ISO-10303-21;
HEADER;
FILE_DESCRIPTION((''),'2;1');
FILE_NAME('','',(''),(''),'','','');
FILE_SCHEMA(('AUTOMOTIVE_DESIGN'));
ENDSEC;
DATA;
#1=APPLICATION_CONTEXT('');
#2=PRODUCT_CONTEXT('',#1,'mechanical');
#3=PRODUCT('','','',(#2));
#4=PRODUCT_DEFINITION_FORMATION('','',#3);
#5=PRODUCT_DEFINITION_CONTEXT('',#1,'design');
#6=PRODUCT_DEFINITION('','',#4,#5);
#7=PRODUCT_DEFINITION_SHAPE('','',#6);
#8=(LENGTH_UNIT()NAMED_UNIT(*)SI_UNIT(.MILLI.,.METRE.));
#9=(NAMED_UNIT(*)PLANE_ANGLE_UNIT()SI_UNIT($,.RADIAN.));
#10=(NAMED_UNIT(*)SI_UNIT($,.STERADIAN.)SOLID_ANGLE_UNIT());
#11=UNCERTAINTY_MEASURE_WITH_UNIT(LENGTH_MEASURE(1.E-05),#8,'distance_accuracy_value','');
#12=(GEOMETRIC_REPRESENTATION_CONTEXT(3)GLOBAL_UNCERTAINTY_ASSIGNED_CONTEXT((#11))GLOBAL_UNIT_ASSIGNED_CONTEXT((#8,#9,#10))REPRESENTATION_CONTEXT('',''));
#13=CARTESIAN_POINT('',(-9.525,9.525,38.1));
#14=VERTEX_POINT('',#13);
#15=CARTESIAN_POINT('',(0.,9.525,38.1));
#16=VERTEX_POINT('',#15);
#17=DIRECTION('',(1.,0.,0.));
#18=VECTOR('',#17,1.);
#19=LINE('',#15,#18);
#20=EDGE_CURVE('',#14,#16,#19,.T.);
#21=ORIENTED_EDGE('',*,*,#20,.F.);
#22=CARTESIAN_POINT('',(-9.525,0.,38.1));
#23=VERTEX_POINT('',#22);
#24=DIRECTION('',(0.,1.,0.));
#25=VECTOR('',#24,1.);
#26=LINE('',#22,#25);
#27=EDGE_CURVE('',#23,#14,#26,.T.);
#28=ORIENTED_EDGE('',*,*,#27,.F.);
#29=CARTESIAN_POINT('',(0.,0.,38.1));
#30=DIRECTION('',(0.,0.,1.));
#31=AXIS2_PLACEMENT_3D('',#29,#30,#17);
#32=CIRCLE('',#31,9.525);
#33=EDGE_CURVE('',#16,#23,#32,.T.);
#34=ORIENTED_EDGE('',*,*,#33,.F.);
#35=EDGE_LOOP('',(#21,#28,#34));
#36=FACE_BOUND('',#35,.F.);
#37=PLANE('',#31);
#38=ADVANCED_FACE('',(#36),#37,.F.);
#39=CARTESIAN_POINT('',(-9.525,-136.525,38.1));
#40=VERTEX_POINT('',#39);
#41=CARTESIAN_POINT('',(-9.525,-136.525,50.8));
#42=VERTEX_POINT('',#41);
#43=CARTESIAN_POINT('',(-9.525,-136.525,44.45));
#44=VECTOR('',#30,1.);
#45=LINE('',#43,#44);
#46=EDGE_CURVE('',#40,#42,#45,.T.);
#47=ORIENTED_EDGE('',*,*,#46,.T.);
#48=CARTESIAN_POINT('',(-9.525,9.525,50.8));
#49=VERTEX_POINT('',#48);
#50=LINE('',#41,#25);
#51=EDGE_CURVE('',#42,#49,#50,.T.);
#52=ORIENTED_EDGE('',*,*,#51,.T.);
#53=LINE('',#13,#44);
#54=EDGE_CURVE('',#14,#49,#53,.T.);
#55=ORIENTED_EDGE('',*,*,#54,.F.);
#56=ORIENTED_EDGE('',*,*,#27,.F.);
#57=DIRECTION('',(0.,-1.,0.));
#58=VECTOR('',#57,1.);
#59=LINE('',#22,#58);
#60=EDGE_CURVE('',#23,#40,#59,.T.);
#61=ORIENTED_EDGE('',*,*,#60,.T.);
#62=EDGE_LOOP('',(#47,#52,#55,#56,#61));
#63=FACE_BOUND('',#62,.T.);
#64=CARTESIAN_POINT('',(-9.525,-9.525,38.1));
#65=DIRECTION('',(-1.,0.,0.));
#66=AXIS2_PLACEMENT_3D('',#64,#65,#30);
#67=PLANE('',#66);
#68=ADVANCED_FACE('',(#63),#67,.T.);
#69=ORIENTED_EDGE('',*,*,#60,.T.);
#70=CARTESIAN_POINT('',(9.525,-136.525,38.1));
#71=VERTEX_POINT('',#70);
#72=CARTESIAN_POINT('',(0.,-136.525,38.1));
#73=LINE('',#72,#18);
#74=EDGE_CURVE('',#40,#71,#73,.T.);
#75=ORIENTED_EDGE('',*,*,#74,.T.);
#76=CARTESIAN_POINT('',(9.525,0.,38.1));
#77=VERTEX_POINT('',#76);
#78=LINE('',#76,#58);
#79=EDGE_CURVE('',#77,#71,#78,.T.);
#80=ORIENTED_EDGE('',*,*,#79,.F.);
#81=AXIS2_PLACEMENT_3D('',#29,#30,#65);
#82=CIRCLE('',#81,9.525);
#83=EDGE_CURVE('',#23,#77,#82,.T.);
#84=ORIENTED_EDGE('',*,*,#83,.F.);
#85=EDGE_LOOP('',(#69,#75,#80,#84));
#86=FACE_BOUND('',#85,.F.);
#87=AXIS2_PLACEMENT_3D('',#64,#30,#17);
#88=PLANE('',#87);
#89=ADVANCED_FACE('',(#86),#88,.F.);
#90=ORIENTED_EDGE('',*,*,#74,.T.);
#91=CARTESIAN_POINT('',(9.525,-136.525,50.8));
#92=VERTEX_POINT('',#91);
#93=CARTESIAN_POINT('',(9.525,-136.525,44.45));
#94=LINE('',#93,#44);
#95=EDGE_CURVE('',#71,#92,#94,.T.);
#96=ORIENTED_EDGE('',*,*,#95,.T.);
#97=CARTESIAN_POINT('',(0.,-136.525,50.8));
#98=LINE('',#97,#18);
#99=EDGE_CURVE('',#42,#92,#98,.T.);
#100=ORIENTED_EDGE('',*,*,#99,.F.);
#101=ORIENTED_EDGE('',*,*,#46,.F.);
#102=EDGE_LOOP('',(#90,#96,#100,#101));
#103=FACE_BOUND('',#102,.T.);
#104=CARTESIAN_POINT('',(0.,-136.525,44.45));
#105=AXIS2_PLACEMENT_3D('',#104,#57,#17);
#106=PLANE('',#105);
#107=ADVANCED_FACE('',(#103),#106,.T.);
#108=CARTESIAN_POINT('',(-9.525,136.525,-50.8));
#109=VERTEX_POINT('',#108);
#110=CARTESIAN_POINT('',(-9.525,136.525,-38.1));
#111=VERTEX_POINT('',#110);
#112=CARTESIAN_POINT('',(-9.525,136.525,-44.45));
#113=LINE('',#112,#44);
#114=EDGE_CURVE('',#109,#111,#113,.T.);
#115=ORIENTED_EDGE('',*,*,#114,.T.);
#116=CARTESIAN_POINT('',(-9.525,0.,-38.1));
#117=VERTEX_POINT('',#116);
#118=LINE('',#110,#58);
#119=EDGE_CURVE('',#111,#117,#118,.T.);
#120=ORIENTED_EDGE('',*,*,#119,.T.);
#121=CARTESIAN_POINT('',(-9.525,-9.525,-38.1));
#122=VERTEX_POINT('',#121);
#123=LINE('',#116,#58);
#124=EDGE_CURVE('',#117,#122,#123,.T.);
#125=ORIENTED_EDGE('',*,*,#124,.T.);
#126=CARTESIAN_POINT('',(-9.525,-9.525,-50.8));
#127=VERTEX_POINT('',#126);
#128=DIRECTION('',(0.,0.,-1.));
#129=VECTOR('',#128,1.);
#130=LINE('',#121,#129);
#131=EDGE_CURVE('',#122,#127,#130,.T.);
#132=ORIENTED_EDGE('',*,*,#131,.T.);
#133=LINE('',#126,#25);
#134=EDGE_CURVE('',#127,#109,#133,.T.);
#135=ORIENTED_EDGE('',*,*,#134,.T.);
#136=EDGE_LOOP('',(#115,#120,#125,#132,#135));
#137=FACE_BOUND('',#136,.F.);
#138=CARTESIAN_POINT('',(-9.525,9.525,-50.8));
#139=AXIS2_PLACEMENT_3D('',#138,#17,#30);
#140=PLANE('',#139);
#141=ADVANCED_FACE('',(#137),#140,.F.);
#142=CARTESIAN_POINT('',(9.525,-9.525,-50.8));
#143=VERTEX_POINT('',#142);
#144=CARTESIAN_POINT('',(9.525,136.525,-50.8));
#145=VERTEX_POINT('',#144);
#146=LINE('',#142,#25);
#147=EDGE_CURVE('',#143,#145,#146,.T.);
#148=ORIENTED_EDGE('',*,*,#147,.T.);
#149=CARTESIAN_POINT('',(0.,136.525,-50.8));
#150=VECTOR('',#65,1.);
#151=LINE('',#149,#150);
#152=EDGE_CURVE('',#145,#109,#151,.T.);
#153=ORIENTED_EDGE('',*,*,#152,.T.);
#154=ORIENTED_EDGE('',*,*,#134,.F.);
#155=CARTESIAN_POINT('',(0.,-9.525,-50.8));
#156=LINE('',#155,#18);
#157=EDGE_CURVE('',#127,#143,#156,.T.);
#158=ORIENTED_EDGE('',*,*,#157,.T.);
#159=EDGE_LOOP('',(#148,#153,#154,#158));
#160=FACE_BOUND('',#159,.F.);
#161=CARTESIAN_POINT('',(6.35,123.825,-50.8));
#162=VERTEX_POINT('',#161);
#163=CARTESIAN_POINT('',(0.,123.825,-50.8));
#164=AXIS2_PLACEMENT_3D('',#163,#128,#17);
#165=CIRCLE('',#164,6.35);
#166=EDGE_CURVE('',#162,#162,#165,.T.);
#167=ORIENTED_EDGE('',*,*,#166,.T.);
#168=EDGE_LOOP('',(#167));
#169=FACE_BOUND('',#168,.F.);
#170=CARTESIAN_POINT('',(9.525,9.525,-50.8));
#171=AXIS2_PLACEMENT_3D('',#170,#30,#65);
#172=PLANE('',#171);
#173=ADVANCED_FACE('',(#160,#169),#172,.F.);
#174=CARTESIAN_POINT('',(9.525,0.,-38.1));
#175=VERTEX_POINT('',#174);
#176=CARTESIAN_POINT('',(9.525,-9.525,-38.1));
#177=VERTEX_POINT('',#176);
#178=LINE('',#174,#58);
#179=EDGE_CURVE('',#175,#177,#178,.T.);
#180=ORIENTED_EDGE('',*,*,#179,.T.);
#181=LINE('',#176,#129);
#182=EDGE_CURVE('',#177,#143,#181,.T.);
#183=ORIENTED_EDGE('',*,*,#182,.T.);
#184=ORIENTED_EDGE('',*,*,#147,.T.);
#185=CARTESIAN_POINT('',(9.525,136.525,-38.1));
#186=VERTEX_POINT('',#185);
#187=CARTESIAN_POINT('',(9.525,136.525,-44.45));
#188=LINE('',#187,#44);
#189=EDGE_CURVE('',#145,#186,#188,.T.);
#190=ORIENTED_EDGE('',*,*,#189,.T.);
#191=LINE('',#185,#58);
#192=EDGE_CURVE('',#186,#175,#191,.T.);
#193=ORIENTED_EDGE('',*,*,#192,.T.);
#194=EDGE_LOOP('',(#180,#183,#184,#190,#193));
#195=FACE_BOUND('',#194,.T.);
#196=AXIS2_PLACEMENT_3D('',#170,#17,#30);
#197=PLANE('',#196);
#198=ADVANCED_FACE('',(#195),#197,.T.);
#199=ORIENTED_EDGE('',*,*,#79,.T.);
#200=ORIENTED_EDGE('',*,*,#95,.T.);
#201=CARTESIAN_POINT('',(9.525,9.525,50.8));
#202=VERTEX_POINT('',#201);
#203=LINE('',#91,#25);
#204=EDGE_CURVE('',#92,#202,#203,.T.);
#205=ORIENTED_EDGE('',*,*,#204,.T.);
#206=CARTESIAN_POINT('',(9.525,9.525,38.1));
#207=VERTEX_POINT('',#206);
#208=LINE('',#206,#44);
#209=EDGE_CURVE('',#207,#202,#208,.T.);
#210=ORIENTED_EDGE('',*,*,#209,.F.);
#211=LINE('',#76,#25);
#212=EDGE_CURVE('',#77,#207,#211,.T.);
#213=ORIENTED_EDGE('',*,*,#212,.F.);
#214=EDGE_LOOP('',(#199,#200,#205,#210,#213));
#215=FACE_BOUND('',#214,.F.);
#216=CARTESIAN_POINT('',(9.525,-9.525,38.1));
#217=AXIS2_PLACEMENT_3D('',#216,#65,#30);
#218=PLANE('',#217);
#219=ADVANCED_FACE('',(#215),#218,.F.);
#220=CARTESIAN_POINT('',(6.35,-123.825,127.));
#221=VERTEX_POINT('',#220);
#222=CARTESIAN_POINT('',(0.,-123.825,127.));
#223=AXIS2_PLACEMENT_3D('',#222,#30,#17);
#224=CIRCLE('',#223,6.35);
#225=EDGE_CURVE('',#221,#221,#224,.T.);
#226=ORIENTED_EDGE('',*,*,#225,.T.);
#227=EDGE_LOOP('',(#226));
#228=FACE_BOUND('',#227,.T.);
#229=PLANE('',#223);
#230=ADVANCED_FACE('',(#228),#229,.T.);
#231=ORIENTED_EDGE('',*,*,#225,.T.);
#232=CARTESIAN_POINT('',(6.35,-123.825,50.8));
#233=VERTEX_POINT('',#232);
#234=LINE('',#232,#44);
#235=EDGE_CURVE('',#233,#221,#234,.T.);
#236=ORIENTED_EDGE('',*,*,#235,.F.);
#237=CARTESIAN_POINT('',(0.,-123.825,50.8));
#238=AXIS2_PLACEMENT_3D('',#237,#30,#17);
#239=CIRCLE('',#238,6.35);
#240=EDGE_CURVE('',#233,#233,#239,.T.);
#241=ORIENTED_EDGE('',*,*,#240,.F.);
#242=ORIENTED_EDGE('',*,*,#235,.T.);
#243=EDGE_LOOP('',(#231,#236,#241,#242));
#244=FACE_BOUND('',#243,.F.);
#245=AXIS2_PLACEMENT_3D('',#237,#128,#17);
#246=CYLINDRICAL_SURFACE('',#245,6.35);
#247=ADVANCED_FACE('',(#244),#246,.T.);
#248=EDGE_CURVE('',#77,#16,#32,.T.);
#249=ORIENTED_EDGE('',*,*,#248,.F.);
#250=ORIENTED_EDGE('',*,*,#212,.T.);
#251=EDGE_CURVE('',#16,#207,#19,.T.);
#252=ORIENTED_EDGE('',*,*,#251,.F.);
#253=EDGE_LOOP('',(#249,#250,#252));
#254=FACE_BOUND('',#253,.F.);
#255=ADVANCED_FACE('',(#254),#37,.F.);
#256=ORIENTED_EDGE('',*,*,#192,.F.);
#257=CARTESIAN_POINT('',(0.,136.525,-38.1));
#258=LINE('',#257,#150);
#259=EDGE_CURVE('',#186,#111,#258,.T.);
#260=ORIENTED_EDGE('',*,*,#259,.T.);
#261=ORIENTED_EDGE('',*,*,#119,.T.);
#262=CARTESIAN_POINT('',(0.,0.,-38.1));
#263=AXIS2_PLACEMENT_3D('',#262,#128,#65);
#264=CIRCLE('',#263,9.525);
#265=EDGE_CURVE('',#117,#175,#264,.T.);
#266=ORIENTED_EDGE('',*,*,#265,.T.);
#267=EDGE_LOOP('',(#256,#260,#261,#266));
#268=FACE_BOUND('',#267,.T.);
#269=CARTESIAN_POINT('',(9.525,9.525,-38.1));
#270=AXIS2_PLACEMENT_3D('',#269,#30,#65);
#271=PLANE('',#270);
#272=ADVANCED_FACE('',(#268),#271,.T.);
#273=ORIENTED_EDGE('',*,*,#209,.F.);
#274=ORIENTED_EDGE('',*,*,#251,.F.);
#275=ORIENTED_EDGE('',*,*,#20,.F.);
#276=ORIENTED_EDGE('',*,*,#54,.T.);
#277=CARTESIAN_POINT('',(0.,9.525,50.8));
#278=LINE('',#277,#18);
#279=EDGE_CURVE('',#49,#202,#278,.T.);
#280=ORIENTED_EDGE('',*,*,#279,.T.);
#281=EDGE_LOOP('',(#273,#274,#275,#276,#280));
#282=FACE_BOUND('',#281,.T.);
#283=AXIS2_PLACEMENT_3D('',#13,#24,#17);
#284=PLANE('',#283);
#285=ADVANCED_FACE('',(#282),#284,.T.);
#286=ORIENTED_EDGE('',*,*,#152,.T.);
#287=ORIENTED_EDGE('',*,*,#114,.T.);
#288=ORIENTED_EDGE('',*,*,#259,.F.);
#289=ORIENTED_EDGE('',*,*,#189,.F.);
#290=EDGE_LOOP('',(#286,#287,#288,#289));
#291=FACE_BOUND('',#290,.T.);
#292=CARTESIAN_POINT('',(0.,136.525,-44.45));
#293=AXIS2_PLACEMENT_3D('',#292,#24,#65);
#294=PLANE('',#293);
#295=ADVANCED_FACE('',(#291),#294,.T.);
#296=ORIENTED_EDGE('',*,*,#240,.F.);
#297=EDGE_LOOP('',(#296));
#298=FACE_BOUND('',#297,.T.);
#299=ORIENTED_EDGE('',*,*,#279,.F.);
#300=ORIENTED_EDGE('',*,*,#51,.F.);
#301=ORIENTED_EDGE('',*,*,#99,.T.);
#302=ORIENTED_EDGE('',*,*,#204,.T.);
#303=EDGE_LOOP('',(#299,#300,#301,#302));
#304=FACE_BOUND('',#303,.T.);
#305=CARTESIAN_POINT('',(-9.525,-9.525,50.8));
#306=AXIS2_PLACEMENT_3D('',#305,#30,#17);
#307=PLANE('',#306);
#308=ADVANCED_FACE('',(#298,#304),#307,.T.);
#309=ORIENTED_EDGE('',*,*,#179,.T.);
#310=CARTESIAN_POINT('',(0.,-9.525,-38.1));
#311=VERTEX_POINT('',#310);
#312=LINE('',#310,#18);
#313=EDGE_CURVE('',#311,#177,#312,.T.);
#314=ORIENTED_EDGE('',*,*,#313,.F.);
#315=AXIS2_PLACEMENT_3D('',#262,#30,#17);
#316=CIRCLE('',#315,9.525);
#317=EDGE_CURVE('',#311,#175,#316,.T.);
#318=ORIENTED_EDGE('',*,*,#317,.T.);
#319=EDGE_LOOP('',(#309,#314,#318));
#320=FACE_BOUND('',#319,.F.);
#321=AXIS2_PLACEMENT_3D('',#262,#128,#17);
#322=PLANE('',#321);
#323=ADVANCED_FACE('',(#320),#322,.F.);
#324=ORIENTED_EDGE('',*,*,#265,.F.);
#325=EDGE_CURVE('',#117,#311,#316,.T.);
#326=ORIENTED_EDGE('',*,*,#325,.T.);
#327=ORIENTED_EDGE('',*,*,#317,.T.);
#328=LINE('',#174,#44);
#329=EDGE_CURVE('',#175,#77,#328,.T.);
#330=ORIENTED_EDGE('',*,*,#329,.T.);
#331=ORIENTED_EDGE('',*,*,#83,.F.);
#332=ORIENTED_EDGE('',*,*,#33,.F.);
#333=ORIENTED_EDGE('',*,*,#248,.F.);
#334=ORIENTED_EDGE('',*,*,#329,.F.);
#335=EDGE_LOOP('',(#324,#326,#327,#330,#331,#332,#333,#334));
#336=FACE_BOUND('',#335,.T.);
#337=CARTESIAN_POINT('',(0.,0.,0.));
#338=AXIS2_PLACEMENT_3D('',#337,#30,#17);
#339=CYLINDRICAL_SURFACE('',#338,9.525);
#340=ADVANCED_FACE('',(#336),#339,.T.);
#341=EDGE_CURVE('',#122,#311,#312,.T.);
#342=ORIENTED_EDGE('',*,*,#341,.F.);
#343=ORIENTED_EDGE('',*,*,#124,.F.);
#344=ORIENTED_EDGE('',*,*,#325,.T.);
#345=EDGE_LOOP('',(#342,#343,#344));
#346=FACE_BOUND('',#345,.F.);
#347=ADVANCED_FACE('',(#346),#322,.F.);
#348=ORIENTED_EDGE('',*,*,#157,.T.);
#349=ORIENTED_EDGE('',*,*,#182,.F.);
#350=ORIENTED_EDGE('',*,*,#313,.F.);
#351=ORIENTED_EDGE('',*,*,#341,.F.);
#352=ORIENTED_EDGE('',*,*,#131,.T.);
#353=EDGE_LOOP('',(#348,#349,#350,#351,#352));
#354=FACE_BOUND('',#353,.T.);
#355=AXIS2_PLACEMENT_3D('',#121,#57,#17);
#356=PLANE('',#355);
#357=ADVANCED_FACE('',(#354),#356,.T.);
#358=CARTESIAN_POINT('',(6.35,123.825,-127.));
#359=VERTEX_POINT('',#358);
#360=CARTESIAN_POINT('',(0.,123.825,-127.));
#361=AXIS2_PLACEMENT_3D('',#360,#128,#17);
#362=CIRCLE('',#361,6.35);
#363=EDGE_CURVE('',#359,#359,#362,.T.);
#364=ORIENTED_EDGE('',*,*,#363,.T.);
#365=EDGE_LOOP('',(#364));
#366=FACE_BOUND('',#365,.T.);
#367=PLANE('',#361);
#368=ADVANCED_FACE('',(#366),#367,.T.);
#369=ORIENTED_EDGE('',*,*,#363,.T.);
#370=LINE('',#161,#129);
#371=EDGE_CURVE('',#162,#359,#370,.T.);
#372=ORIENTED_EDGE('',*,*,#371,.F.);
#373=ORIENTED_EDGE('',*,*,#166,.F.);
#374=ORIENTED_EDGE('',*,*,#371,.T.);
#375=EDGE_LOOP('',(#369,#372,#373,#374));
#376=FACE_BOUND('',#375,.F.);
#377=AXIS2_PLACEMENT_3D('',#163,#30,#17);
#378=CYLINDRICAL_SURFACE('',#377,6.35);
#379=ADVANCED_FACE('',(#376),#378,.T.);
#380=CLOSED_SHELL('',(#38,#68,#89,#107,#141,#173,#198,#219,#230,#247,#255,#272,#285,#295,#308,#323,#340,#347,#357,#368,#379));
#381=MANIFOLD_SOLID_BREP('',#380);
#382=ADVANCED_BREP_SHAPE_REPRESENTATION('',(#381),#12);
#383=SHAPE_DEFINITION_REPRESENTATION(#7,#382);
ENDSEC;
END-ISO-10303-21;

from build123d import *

# Parameters (mm, degrees)
F0_R      = 9.525
F1_DEPTH  = 38.1
F2_W      = 19.05
F2_H      = 19.05
F3_DEPTH  = 12.7
F4_W      = 19.05
F4_H      = 12.7
F5_DEPTH  = 127
F6_W      = 19.05
F6_H      = 19.05
F7_DEPTH  = 12.7
F8_W      = 19.05
F8_H      = 12.7
F9_DEPTH  = 127
F10_R     = 6.35
F11_DEPTH = 76.2
F12_R     = 6.35
F13_DEPTH = 76.2


with BuildPart() as f1:
    # F0 (on Top) → F1 (new body, symmetric)
    with BuildSketch(Plane.XY):
        Circle(F0_R)
    extrude(amount=F1_DEPTH, both=True)

    # F2 (on face) → F3 (join)
    with BuildSketch(Plane.XY.offset(38.1)):
        Rectangle(F2_W, F2_H)
    extrude(amount=F3_DEPTH)

    # F4 (on face) → F5 (join)
    with BuildSketch(Plane.XZ.offset(9.525)):
        with Locations((0, 44.45)):
            Rectangle(F4_W, F4_H)
    extrude(amount=F5_DEPTH)

    # F6 (on face) → F7 (join)
    with BuildSketch(Plane(origin=(0, 0, -38.1), x_dir=(1, 0, 0), z_dir=(0, 0, -1))):
        Rectangle(F6_W, F6_H)
    extrude(amount=F7_DEPTH)

    # F8 (on face) → F9 (join)
    with BuildSketch(Plane(origin=(0, 9.525, 0), x_dir=(-1, 0, 0), z_dir=(0, 1, 0))):
        with Locations((0, -44.45)):
            Rectangle(F8_W, F8_H)
    extrude(amount=F9_DEPTH)

    # F10 (on face) → F11 (join)
    with BuildSketch(Plane.XY.offset(50.8)):
        with Locations((0, -123.825)):
            Circle(F10_R)
    extrude(amount=F11_DEPTH)

    # F12 (on face) → F13 (join)
    with BuildSketch(Plane(origin=(0, 0, -50.8), x_dir=(1, 0, 0), z_dir=(0, 0, -1))):
        with Locations((0, -123.825)):
            Circle(F12_R)
    extrude(amount=F13_DEPTH)


solid = f1.part
